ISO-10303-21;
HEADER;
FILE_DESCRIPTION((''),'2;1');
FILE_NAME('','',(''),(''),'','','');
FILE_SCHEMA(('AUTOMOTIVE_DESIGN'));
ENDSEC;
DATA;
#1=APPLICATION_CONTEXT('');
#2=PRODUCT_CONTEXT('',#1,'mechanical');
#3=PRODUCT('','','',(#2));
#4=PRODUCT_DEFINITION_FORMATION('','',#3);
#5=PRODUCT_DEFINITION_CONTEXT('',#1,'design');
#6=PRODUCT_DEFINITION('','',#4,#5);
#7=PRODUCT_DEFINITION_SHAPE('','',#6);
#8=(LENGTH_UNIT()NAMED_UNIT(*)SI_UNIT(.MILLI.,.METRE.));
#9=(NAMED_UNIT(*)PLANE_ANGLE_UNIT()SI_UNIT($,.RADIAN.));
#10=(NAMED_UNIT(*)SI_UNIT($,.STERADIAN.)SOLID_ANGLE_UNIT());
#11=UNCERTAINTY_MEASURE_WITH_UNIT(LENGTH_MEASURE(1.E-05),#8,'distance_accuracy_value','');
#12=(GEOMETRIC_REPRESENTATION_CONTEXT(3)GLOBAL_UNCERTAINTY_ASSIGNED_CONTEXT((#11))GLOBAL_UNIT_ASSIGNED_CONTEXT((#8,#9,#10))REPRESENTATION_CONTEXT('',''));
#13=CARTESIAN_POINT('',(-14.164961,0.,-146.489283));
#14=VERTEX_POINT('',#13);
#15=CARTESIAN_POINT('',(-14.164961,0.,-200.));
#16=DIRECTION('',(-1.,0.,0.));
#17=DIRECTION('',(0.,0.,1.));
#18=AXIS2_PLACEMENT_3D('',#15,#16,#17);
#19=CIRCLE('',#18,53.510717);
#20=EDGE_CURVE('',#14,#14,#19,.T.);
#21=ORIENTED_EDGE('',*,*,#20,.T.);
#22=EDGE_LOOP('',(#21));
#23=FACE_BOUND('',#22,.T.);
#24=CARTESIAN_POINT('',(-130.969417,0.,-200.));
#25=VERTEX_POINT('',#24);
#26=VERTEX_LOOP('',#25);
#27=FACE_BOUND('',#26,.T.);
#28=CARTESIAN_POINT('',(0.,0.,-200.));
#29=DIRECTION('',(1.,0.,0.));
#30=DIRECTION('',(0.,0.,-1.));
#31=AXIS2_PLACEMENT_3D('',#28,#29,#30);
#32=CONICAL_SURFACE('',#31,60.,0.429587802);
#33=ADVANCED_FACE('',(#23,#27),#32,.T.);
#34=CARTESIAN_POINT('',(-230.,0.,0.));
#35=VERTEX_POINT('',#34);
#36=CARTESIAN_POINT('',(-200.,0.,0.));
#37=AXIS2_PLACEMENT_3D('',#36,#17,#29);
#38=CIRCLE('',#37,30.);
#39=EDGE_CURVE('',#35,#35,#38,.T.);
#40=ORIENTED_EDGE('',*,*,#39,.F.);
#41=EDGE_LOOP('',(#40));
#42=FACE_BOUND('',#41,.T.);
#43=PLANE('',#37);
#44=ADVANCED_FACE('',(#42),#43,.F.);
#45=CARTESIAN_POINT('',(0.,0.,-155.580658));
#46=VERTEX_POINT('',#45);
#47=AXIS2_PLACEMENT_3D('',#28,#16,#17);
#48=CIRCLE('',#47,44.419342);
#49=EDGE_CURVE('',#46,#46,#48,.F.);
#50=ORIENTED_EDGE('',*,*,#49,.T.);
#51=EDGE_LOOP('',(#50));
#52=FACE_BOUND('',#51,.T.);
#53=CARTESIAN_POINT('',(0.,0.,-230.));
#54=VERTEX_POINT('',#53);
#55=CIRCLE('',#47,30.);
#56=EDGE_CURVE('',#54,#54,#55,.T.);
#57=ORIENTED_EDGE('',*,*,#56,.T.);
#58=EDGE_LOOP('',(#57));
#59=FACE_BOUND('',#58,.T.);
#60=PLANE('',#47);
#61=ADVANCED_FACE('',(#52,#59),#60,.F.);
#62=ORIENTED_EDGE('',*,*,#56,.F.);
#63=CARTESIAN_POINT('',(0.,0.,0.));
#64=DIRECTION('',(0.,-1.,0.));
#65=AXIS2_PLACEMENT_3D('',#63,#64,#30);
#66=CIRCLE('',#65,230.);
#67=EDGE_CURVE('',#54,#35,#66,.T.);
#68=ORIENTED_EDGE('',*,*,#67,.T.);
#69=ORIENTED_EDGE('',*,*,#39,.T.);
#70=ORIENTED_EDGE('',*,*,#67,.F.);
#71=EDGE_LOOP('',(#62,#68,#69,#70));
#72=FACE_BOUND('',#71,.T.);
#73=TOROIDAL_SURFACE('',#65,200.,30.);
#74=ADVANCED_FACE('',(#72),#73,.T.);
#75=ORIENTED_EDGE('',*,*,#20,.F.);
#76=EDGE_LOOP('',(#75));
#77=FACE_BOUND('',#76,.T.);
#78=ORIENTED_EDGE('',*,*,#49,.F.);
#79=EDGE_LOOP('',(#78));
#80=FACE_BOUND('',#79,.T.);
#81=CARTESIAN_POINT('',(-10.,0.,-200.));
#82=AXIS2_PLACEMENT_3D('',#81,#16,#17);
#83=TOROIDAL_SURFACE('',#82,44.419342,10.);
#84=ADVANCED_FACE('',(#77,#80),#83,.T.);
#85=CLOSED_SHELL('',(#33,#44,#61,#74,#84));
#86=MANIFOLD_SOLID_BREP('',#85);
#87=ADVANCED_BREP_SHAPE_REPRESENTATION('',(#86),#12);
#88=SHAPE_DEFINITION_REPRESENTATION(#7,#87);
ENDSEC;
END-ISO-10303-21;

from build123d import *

# Parameters (mm, degrees)
SKETCH2_R = 30
FILLET1_R = 10


with BuildPart() as part:
    # Sweep1: sweep along a path in Sketch1
    with BuildLine(Plane(origin=(0, 0, 0), x_dir=(1, 0, 0), z_dir=(0, 1, 0))) as sweep1_path:
        ThreePointArc((-200, 0), (141.421356237, -141.421356237), (0, 200))
    # Sketch2 → Sweep1 (sweep)
    with BuildSketch(Plane.XY):
        with Locations((-200, 0)):
            Circle(SKETCH2_R)
    sweep(path=sweep1_path.line)

    # Sketch3 → Revolve2 (revolve)
    with BuildSketch(Plane(origin=(0, 0, 0), x_dir=(1, 0, 0), z_dir=(0, 1, 0)), mode=Mode.PRIVATE) as revolve2_sk:
        Polygon((0, 200), (0, 140), (-130.969416576, 200), align=None)
    revolve(revolve2_sk.sketch.rotate(Axis((-130.969416576, 0, -200), (1, 0, 0)), 180), axis=Axis((-130.969416576, 0, -200), (1, 0, 0)))  # turned: the seam where the file's is

    # Fillet1
    fillet1_edges = [part.edges().sort_by_distance(p)[0] for p in [
        (0, 0, -140),
    ]]
    fillet(fillet1_edges, radius=FILLET1_R)


solid = part.part
